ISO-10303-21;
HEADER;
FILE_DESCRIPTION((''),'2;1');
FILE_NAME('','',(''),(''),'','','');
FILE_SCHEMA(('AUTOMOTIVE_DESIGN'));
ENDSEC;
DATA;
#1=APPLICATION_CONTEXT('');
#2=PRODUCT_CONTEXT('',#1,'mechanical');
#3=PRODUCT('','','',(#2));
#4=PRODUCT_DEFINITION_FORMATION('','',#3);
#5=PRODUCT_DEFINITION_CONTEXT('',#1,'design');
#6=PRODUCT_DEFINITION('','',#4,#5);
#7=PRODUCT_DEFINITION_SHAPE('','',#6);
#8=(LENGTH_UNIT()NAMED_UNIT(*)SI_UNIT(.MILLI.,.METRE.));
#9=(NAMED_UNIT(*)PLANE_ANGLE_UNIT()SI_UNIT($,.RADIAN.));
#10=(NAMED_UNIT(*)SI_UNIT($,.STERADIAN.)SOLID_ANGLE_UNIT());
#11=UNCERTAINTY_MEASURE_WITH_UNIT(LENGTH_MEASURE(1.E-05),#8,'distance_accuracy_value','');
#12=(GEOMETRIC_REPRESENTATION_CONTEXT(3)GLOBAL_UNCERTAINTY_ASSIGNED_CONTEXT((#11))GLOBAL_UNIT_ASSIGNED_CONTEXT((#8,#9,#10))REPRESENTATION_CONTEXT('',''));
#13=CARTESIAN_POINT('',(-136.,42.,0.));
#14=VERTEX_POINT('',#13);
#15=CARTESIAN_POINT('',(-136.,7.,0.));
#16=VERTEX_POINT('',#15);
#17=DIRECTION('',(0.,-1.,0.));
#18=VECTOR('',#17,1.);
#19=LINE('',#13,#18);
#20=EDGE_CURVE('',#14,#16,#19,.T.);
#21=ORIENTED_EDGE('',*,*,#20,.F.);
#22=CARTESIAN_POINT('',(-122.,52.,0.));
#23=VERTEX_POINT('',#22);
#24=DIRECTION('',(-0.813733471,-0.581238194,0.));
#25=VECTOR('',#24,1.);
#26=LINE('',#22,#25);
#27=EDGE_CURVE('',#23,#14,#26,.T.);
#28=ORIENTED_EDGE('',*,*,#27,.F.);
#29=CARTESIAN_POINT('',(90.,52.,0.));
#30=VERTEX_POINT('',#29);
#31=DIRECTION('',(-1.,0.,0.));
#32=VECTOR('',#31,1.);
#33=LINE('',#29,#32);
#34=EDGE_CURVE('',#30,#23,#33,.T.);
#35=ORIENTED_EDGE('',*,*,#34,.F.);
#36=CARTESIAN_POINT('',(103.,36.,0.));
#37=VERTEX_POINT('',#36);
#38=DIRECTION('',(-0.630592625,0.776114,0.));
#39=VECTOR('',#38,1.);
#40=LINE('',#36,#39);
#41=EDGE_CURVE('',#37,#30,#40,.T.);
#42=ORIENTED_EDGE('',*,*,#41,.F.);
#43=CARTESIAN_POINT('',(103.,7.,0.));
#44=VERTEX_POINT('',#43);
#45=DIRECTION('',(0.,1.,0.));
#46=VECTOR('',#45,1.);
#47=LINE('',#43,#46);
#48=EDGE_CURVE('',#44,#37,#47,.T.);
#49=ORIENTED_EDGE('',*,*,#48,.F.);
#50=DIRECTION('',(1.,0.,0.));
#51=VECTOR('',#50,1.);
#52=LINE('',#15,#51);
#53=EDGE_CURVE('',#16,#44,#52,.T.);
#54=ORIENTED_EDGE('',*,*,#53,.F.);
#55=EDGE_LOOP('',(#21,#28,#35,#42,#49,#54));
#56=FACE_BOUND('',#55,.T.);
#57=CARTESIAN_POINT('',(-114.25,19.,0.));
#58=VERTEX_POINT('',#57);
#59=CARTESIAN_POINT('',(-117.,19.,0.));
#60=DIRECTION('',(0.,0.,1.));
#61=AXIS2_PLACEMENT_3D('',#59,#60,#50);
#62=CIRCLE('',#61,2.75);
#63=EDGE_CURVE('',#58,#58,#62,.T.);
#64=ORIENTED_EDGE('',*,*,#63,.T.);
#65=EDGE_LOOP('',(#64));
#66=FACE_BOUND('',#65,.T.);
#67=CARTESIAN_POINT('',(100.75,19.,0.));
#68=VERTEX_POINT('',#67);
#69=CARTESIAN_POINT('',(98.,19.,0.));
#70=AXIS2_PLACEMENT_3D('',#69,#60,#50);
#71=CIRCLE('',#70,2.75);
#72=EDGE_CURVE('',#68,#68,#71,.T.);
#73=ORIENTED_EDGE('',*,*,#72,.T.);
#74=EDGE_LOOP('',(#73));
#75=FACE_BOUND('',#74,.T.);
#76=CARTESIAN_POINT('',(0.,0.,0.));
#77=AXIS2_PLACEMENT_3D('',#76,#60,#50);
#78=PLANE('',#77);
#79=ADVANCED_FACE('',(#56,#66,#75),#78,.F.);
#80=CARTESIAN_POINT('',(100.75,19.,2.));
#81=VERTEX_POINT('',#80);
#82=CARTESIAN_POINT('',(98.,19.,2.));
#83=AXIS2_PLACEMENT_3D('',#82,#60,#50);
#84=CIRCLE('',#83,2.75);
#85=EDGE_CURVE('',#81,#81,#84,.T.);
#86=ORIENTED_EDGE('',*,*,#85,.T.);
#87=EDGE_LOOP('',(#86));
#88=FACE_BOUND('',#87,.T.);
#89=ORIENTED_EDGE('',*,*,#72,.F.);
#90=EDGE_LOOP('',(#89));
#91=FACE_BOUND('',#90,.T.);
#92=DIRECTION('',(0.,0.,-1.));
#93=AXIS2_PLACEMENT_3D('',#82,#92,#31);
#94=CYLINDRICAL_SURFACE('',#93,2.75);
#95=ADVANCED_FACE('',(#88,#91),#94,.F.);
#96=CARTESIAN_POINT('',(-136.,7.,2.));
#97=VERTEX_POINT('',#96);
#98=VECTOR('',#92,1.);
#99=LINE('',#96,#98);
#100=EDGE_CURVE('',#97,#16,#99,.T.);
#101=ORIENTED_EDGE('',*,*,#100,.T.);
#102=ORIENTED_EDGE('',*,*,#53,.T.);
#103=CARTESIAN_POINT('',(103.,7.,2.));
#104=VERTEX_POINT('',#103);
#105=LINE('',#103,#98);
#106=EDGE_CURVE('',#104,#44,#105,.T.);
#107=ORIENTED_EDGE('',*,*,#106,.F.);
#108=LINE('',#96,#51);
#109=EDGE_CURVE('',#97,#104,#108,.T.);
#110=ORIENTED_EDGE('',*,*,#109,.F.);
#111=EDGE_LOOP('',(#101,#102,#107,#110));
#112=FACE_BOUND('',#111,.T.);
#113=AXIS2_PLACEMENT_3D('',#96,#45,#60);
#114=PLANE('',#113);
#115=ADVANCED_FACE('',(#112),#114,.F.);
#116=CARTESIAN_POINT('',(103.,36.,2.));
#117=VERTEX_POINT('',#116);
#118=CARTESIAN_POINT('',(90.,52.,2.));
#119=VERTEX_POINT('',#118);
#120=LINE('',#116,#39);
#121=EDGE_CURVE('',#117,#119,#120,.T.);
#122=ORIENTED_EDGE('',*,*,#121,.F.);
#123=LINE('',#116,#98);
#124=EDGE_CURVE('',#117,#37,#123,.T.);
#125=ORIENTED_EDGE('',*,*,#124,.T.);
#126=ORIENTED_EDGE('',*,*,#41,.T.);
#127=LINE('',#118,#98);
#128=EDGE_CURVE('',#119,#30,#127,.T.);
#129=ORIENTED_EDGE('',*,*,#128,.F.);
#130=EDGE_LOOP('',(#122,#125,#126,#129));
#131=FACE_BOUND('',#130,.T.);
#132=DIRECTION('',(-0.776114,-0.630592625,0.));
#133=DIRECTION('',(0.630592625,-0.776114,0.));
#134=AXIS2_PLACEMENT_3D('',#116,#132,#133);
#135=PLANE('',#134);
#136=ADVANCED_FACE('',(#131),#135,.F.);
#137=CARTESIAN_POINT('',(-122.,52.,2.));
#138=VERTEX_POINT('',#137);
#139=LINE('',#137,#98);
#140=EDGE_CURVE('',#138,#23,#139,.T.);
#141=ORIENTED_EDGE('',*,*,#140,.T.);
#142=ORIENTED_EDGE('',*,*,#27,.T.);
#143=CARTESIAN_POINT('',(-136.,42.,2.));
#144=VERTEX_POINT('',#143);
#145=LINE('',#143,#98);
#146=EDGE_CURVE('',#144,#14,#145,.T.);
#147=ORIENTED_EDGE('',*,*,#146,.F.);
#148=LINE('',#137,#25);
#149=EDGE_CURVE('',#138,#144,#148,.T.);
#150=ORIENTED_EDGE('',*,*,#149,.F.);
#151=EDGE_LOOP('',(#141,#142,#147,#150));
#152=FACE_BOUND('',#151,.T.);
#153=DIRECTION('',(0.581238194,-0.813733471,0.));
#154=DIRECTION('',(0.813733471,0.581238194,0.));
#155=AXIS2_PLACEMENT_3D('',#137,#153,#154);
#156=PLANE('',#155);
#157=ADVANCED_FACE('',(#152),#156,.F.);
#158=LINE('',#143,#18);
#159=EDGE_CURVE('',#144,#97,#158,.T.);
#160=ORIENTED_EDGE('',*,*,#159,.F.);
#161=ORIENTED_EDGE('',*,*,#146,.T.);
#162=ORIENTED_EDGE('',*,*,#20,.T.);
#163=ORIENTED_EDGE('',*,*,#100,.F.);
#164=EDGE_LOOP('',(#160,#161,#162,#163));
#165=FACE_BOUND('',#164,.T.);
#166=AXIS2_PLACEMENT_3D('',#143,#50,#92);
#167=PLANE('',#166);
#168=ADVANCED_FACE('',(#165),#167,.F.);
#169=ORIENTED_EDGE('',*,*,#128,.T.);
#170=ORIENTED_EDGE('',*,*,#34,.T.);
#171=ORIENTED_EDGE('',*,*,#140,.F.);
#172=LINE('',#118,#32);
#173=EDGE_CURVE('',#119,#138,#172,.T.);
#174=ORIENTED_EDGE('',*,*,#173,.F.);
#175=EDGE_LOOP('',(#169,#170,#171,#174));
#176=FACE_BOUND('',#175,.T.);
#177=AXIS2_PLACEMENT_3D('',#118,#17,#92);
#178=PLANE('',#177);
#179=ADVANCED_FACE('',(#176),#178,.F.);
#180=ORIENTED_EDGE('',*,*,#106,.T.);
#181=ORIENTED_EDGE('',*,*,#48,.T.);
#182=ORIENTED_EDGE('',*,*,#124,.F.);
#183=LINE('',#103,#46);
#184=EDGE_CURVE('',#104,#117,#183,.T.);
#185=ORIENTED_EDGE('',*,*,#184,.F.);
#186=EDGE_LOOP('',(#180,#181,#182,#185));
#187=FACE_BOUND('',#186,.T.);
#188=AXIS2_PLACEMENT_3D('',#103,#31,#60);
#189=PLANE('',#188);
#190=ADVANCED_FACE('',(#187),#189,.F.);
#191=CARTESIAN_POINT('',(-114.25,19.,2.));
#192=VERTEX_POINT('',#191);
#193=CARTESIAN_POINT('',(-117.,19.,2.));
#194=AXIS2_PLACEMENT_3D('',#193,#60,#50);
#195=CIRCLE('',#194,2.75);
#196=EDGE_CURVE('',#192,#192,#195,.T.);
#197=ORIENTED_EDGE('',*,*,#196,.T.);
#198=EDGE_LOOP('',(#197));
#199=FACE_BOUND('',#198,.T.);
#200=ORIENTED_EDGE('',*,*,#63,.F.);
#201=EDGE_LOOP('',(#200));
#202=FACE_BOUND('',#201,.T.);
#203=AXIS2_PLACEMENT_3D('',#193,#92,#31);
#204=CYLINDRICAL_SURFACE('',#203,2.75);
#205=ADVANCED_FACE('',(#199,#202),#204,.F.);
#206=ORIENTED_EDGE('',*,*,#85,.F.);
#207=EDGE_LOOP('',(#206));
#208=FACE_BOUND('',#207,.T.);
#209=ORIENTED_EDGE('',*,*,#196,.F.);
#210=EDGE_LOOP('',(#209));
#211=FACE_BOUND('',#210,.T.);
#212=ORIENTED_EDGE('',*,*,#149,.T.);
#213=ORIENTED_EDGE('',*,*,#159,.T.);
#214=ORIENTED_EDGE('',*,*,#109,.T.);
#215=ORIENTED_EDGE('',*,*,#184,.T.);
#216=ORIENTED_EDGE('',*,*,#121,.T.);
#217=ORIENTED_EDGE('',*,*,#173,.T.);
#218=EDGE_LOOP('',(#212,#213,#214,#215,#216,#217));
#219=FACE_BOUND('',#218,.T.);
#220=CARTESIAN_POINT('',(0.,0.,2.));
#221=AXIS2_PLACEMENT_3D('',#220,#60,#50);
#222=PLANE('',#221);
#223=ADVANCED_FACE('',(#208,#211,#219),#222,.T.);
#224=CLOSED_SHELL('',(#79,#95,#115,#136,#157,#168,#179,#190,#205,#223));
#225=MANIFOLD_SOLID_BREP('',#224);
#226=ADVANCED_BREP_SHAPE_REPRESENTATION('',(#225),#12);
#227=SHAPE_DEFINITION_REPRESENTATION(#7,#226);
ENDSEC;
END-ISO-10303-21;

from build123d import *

# Parameters (mm, degrees)
LOW_SIDE_SHIELD_WITH_ENDS_CHAMFERED_PROF_R = 2.75
LOW_SIDE_SHIELD_WITH_ENDS_CHAMFERED_DEPTH  = 2


with BuildPart() as part:
    # Low side shield with ends chamfered profile → Low side shield with ends chamfered (new body)
    with BuildSketch(Plane.XY):
        Polygon((-136, 7), (103, 7), (103, 36), (90, 52), (-122, 52), (-136, 42), align=None)
        with Locations((-117, 19)):
            Circle(LOW_SIDE_SHIELD_WITH_ENDS_CHAMFERED_PROF_R, mode=Mode.SUBTRACT)
        with Locations((98, 19)):
            Circle(LOW_SIDE_SHIELD_WITH_ENDS_CHAMFERED_PROF_R, mode=Mode.SUBTRACT)
    extrude(amount=LOW_SIDE_SHIELD_WITH_ENDS_CHAMFERED_DEPTH)


solid = part.part
